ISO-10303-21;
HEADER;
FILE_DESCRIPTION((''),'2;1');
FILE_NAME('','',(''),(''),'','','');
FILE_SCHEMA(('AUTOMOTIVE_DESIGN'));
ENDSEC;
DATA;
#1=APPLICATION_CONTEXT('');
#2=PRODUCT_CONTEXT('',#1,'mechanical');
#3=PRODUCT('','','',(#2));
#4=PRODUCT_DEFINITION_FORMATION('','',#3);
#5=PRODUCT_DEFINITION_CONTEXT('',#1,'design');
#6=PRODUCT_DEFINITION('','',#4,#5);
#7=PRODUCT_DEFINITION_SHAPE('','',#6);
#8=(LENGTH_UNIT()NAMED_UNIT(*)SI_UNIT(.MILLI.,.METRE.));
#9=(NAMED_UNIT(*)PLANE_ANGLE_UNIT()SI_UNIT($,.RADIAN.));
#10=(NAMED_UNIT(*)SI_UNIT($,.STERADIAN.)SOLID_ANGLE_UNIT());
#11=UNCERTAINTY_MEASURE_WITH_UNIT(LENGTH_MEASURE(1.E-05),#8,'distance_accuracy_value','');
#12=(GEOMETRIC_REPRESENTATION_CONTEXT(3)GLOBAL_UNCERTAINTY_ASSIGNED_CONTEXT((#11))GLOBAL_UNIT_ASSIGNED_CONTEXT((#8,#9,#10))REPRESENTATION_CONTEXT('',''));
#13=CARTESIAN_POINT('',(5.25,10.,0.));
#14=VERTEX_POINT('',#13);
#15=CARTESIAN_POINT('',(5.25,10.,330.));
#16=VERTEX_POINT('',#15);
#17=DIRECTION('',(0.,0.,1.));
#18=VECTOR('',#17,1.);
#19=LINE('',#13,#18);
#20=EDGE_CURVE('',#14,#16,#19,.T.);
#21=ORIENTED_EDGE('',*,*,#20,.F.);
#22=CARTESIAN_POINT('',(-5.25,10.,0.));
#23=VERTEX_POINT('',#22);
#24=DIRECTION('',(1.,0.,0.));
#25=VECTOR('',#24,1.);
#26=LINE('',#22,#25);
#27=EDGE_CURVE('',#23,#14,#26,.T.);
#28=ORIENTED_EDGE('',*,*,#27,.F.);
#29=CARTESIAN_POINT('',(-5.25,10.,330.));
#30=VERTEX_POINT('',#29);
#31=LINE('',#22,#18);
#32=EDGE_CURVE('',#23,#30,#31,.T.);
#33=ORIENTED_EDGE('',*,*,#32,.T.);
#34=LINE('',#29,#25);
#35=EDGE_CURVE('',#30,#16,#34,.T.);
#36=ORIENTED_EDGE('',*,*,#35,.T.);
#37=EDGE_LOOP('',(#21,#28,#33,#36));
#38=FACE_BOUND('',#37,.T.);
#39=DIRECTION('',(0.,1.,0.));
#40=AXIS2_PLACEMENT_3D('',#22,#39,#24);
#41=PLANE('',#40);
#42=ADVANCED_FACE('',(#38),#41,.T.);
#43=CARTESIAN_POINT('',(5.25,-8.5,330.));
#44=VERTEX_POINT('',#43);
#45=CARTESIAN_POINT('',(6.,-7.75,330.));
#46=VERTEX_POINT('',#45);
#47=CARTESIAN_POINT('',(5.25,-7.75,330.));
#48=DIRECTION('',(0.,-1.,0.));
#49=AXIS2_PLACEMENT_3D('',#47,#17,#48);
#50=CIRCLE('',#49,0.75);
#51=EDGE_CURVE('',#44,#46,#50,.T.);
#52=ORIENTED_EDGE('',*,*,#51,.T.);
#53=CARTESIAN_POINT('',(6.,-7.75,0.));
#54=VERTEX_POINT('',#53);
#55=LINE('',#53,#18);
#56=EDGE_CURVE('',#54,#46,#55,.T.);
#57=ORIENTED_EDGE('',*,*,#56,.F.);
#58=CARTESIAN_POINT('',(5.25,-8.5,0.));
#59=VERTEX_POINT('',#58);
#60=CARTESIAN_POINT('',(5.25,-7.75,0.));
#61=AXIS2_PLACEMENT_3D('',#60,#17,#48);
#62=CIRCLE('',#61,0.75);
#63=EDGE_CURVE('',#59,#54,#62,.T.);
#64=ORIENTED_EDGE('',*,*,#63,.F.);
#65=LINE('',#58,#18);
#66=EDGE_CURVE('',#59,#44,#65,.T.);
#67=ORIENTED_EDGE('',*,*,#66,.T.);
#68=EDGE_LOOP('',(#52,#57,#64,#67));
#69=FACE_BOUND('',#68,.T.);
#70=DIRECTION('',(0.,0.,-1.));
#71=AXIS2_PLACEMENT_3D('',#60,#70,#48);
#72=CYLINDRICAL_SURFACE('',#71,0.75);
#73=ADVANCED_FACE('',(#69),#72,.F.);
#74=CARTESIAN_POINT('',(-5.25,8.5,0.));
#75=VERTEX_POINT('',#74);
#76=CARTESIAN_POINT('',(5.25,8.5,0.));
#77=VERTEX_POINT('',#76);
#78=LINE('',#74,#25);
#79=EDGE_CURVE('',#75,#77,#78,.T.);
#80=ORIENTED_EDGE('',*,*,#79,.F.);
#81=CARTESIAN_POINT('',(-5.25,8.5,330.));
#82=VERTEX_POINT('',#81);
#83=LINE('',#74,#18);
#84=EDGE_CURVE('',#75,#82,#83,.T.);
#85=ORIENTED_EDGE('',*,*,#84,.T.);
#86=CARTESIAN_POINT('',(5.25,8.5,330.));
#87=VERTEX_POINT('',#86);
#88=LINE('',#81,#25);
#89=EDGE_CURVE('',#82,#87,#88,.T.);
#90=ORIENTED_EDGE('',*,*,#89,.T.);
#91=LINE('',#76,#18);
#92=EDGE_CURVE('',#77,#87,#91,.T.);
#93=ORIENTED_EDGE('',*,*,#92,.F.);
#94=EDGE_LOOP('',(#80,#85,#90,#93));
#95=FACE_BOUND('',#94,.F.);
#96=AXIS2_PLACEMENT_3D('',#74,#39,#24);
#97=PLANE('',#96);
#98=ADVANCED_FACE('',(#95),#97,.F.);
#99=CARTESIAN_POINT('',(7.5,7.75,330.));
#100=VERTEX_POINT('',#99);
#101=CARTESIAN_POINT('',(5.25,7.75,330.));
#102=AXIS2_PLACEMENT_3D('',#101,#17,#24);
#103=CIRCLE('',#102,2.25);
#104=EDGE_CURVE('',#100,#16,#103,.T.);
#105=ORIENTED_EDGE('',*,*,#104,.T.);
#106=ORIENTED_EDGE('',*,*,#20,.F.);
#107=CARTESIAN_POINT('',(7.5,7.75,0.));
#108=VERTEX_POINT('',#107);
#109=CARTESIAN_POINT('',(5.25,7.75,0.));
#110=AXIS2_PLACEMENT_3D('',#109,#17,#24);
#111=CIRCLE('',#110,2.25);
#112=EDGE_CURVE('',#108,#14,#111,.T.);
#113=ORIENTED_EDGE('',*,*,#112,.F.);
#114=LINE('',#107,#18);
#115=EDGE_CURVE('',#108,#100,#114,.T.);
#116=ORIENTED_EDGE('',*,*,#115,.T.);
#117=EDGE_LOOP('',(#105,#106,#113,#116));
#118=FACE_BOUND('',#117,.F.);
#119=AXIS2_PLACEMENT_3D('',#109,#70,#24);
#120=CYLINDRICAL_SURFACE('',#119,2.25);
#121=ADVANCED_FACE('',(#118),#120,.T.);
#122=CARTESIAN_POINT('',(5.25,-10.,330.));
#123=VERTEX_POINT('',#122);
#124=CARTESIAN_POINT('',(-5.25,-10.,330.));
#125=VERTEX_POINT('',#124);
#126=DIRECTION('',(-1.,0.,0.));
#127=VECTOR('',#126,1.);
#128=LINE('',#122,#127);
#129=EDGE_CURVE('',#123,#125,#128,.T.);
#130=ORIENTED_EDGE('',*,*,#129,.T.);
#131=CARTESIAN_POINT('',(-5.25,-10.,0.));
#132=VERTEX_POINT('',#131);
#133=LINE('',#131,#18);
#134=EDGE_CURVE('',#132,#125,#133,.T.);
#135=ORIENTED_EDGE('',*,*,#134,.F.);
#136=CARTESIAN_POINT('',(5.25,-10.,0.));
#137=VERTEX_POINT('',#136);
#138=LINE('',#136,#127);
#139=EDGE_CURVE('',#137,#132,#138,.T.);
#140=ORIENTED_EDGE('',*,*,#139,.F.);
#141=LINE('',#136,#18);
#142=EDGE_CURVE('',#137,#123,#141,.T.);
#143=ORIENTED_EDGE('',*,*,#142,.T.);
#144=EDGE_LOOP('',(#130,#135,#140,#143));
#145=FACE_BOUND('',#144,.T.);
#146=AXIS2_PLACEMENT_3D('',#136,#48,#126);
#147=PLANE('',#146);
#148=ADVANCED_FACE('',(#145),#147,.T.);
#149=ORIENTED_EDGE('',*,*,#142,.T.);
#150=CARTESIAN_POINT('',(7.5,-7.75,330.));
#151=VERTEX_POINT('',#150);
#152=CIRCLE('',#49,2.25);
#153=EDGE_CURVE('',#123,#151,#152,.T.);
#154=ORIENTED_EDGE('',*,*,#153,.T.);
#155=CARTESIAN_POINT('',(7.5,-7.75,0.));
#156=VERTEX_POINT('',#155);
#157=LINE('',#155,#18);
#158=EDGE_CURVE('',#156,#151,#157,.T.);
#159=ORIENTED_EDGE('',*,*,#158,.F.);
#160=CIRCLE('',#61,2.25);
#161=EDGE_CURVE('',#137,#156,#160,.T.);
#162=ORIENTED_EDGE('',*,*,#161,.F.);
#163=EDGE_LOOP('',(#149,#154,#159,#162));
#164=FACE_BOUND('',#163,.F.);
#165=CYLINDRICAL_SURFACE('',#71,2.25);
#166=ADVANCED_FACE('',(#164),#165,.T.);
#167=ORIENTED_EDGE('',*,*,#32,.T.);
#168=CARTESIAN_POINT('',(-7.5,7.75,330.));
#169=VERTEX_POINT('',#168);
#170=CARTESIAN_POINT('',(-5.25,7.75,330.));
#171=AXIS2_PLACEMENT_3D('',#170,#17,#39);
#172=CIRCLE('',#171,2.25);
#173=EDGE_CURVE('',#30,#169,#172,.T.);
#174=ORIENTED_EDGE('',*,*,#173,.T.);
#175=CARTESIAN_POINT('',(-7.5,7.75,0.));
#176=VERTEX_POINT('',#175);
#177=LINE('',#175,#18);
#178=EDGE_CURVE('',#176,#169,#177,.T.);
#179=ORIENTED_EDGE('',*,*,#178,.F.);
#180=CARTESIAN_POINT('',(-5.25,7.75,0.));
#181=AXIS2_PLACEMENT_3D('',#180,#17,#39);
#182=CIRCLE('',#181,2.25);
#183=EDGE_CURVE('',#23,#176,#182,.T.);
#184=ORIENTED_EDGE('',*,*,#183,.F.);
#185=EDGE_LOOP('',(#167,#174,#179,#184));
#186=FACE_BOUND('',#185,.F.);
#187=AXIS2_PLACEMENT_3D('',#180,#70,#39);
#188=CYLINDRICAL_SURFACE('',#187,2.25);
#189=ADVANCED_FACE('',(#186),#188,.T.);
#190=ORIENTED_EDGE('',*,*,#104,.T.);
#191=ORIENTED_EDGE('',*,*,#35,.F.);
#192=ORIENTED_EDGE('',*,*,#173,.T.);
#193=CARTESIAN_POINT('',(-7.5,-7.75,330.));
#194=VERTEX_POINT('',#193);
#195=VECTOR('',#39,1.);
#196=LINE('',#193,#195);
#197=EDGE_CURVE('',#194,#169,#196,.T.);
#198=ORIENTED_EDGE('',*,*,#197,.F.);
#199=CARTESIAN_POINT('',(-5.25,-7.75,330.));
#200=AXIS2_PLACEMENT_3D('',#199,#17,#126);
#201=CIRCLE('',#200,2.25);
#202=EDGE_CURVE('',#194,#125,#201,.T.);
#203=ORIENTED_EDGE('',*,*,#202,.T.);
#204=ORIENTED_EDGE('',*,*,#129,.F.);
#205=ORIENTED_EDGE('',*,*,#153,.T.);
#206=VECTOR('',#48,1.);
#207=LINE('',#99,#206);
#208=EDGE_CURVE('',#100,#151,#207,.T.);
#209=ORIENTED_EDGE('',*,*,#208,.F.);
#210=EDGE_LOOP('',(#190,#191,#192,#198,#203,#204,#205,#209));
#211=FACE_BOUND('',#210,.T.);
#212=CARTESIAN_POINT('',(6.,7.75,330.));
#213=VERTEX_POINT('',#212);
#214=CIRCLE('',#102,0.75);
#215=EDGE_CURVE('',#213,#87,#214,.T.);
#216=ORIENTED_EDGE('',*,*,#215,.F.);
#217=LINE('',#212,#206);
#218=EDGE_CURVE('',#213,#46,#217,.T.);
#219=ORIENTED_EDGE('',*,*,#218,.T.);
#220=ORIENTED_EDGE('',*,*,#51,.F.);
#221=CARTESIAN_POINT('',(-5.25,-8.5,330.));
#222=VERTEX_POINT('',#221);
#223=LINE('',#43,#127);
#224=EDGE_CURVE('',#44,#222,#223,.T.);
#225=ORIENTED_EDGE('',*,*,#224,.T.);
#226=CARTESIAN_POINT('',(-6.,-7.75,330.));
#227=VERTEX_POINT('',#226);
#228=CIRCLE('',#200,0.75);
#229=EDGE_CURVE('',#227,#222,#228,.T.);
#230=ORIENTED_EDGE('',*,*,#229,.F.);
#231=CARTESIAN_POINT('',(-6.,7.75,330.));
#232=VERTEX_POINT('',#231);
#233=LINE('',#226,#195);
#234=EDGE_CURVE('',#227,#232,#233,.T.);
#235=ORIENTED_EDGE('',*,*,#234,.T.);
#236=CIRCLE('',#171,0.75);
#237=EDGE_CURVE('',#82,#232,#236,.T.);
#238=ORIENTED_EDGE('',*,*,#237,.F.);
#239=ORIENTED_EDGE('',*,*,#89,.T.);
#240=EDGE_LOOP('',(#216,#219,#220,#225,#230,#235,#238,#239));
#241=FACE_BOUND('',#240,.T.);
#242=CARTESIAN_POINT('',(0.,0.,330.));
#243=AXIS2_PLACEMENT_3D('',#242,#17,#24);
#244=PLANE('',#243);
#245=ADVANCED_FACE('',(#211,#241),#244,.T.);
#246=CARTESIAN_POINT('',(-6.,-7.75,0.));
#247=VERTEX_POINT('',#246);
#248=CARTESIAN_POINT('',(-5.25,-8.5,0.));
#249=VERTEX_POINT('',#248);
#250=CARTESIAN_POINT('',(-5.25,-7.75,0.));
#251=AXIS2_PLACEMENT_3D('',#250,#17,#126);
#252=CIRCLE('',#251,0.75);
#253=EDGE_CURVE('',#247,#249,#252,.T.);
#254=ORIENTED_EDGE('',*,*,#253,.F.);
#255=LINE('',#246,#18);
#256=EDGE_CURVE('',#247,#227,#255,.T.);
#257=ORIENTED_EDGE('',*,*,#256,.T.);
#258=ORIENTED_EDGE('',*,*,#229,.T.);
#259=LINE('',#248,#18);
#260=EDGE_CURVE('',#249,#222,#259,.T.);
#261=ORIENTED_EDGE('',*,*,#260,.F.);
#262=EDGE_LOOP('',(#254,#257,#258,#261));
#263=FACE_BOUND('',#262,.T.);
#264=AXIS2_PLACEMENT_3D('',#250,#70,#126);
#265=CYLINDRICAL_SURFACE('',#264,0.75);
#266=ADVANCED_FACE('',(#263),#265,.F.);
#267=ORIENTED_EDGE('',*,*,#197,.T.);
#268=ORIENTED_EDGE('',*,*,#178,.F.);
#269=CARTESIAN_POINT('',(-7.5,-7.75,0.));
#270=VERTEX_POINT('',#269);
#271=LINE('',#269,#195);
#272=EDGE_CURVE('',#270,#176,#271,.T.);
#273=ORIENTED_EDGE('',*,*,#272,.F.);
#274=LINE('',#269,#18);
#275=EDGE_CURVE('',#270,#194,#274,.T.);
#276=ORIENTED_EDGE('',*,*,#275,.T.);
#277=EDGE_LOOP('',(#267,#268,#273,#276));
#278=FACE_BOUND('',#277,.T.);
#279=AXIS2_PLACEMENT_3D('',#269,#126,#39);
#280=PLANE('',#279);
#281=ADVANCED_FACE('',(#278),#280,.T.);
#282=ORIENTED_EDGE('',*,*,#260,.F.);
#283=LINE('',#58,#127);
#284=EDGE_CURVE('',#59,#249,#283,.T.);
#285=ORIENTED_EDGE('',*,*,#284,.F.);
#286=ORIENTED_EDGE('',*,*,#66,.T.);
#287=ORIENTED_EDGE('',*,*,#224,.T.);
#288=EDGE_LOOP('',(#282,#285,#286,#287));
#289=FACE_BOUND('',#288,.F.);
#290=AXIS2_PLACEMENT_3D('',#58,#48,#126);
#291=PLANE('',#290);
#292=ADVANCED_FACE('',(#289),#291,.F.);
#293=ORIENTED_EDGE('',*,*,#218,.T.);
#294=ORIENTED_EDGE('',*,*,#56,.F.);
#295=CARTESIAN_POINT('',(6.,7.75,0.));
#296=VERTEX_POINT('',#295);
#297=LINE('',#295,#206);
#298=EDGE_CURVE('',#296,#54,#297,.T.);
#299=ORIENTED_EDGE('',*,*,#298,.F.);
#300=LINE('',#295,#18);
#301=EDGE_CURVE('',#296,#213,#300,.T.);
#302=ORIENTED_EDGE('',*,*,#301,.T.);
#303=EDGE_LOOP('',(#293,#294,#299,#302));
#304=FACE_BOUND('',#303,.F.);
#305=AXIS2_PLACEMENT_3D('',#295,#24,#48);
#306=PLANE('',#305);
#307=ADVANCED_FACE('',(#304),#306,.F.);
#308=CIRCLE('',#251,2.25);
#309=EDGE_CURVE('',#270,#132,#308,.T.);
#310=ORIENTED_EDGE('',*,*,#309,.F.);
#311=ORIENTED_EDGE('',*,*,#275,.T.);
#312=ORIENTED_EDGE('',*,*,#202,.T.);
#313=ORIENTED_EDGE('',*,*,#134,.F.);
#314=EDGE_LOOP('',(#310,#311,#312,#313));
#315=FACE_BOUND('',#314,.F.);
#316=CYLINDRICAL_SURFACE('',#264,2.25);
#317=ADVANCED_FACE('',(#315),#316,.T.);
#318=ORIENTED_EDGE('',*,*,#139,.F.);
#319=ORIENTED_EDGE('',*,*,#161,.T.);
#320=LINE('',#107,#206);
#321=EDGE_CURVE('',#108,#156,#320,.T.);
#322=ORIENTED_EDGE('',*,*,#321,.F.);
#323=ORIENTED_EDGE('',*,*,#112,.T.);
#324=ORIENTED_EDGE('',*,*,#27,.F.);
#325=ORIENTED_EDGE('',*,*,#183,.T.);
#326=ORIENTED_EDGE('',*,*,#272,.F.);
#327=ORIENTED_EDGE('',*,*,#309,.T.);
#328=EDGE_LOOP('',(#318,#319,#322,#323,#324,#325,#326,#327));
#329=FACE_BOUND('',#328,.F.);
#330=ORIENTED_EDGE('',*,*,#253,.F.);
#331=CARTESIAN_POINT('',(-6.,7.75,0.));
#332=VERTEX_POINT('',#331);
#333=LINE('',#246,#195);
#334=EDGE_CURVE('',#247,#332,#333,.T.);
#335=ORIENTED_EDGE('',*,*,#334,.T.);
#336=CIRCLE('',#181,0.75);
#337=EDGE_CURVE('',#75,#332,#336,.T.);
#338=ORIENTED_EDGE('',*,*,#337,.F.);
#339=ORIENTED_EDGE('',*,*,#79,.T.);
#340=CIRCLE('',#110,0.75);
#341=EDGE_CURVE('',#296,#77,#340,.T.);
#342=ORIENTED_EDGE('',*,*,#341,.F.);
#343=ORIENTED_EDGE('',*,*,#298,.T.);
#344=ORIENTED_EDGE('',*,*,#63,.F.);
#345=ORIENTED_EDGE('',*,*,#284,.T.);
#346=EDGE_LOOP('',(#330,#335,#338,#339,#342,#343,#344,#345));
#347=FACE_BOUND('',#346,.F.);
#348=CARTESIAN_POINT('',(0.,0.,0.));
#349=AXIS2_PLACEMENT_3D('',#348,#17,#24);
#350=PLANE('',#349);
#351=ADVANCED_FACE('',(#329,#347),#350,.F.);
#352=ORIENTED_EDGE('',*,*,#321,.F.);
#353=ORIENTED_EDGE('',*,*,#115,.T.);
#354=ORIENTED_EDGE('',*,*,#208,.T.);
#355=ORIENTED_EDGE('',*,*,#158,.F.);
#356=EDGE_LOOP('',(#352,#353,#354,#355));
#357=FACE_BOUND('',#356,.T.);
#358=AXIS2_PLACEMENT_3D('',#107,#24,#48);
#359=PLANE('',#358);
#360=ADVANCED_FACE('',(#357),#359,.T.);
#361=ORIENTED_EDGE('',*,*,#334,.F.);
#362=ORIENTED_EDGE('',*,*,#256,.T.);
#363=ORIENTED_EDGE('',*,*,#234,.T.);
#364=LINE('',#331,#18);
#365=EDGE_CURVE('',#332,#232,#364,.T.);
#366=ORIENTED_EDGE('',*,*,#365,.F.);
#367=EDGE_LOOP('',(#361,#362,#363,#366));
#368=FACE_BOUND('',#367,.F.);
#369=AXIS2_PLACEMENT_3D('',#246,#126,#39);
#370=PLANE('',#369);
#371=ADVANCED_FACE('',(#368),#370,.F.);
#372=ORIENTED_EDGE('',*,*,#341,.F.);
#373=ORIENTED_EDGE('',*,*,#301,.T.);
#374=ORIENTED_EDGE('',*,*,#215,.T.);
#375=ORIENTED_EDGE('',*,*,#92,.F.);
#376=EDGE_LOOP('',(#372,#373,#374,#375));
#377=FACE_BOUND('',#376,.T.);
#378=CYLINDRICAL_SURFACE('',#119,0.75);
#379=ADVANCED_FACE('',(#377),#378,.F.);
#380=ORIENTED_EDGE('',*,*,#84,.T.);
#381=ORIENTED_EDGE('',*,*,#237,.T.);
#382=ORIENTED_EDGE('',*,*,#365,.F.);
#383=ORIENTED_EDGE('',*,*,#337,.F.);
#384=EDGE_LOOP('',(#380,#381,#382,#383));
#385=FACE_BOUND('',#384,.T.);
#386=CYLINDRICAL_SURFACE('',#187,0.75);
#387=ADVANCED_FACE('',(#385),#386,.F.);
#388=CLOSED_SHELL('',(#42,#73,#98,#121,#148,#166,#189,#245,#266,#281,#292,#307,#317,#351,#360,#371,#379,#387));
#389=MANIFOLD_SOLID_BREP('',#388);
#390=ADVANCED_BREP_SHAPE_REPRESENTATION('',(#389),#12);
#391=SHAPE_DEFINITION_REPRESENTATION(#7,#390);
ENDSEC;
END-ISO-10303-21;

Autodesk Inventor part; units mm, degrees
ref_plane "Start plane" through (0, 0, 0) normal (0, 0, 1) x (1, 0, 0)
ref_plane "End plane" through (0, 0, 330) normal (0, 0, 1) x (1, 0, 0)
sketch "Sketch" plane through (0, 0, 0) normal (0, 0, 1) x (1, 0, 0)
  line L0 (-7.5, -7.75) -> (-7.5, 7.75)
  line L1 (-5.25, 10) -> (5.25, 10)
  line L2 (7.5, 7.75) -> (7.5, -7.75)
  line L3 (5.25, -10) -> (-5.25, -10)
  arc A0 (-7.5, -7.75) -> (-5.25, -10) centre (-5.25, -7.75) ccw
  arc A1 (-5.25, 10) -> (-7.5, 7.75) centre (-5.25, 7.75) ccw
  arc A2 (7.5, 7.75) -> (5.25, 10) centre (5.25, 7.75) ccw
  arc A3 (5.25, -10) -> (7.5, -7.75) centre (5.25, -7.75) ccw
  arc A4 (-5.25, 8.5) -> (-6, 7.75) centre (-5.25, 7.75) ccw
  line L4 (-5.25, 8.5) -> (5.25, 8.5)
  arc A5 (6, 7.75) -> (5.25, 8.5) centre (5.25, 7.75) ccw
  line L5 (6, 7.75) -> (6, -7.75)
  arc A6 (5.25, -8.5) -> (6, -7.75) centre (5.25, -7.75) ccw
  line L6 (5.25, -8.5) -> (-5.25, -8.5)
  arc A7 (-6, -7.75) -> (-5.25, -8.5) centre (-5.25, -7.75) ccw
  line L7 (-6, -7.75) -> (-6, 7.75)
  line L8 (0, 14.6524) -> (0, -14.6524) construction
  line L9 (-11.5592, 0) -> (13.5932, 0) construction
  dimension "d7" = 2.25
  dimension "d10" = 20
  dimension "d11" = 15
  dimension "d12" = 1.5
  dimension "d15" = 10
  dimension "d16" = 7.5
extrude "Body" add sketch "Sketch" along normal up to surface (330 mm away) from surface at 0
sketch "Sketch3" plane through (0, 0, 0) normal (0, 0, 1) x (1, 0, 0)
  line L0 (0, 0) -> (10, 0)
ref_plane "Work Plane3" through (0, 0, 0) normal (0, -1, 0) x (1, 0, 0)
sketch "Sketch4" plane through (0, 0, 0) normal (0, -1, 0) x (1, 0, 0)
  line L0 (-2, 0) -> (12, 0)
  line L1 (-2, 330) -> (12, 330)
  dimension "d18" = 330
ref_plane "Work Plane4" through (-39.5, -279, 330) normal (0, 0, 1) x (1, 0, 0)
split "Split1" plane through (-39.5, -279, 330) removes the side toward (0, 0, 1)
ref_plane "Work Plane5" through (4.5, -279, 0) normal (0, 0, -1) x (-1, 0, 0)
split "Split2" plane through (4.5, -279, 0) removes the side toward (0, 0, -1)
equation "\"d7\" = G_IR"
equation "\"d10\" = G_H"
equation "\"d11\" = G_W"
equation "\"d12\" = G_T"
equation "\"d15\" = 0.5 * d10"
equation "\"d16\" = 0.5 * d11"
equation "\"d3\" = G_L"
equation "\"G_W\" = 15"
equation "\"G_H\" = 20"
equation "\"G_T\" = 1.5"
equation "\"G_IR\" = 2.25"
equation "\"G_L\" = d18"
equation "\"G_OFFSET_START\" = 0"
equation "\"G_OFFSET_END\" = -40"
equation "\"d14\" = G_OFFSET_END + B_L"
equation "\"B_L\" = 370"
properties part number "UNI EN 10305-5 - 20 x 15 x 1,5  - 330" material "Steel, Mild"
